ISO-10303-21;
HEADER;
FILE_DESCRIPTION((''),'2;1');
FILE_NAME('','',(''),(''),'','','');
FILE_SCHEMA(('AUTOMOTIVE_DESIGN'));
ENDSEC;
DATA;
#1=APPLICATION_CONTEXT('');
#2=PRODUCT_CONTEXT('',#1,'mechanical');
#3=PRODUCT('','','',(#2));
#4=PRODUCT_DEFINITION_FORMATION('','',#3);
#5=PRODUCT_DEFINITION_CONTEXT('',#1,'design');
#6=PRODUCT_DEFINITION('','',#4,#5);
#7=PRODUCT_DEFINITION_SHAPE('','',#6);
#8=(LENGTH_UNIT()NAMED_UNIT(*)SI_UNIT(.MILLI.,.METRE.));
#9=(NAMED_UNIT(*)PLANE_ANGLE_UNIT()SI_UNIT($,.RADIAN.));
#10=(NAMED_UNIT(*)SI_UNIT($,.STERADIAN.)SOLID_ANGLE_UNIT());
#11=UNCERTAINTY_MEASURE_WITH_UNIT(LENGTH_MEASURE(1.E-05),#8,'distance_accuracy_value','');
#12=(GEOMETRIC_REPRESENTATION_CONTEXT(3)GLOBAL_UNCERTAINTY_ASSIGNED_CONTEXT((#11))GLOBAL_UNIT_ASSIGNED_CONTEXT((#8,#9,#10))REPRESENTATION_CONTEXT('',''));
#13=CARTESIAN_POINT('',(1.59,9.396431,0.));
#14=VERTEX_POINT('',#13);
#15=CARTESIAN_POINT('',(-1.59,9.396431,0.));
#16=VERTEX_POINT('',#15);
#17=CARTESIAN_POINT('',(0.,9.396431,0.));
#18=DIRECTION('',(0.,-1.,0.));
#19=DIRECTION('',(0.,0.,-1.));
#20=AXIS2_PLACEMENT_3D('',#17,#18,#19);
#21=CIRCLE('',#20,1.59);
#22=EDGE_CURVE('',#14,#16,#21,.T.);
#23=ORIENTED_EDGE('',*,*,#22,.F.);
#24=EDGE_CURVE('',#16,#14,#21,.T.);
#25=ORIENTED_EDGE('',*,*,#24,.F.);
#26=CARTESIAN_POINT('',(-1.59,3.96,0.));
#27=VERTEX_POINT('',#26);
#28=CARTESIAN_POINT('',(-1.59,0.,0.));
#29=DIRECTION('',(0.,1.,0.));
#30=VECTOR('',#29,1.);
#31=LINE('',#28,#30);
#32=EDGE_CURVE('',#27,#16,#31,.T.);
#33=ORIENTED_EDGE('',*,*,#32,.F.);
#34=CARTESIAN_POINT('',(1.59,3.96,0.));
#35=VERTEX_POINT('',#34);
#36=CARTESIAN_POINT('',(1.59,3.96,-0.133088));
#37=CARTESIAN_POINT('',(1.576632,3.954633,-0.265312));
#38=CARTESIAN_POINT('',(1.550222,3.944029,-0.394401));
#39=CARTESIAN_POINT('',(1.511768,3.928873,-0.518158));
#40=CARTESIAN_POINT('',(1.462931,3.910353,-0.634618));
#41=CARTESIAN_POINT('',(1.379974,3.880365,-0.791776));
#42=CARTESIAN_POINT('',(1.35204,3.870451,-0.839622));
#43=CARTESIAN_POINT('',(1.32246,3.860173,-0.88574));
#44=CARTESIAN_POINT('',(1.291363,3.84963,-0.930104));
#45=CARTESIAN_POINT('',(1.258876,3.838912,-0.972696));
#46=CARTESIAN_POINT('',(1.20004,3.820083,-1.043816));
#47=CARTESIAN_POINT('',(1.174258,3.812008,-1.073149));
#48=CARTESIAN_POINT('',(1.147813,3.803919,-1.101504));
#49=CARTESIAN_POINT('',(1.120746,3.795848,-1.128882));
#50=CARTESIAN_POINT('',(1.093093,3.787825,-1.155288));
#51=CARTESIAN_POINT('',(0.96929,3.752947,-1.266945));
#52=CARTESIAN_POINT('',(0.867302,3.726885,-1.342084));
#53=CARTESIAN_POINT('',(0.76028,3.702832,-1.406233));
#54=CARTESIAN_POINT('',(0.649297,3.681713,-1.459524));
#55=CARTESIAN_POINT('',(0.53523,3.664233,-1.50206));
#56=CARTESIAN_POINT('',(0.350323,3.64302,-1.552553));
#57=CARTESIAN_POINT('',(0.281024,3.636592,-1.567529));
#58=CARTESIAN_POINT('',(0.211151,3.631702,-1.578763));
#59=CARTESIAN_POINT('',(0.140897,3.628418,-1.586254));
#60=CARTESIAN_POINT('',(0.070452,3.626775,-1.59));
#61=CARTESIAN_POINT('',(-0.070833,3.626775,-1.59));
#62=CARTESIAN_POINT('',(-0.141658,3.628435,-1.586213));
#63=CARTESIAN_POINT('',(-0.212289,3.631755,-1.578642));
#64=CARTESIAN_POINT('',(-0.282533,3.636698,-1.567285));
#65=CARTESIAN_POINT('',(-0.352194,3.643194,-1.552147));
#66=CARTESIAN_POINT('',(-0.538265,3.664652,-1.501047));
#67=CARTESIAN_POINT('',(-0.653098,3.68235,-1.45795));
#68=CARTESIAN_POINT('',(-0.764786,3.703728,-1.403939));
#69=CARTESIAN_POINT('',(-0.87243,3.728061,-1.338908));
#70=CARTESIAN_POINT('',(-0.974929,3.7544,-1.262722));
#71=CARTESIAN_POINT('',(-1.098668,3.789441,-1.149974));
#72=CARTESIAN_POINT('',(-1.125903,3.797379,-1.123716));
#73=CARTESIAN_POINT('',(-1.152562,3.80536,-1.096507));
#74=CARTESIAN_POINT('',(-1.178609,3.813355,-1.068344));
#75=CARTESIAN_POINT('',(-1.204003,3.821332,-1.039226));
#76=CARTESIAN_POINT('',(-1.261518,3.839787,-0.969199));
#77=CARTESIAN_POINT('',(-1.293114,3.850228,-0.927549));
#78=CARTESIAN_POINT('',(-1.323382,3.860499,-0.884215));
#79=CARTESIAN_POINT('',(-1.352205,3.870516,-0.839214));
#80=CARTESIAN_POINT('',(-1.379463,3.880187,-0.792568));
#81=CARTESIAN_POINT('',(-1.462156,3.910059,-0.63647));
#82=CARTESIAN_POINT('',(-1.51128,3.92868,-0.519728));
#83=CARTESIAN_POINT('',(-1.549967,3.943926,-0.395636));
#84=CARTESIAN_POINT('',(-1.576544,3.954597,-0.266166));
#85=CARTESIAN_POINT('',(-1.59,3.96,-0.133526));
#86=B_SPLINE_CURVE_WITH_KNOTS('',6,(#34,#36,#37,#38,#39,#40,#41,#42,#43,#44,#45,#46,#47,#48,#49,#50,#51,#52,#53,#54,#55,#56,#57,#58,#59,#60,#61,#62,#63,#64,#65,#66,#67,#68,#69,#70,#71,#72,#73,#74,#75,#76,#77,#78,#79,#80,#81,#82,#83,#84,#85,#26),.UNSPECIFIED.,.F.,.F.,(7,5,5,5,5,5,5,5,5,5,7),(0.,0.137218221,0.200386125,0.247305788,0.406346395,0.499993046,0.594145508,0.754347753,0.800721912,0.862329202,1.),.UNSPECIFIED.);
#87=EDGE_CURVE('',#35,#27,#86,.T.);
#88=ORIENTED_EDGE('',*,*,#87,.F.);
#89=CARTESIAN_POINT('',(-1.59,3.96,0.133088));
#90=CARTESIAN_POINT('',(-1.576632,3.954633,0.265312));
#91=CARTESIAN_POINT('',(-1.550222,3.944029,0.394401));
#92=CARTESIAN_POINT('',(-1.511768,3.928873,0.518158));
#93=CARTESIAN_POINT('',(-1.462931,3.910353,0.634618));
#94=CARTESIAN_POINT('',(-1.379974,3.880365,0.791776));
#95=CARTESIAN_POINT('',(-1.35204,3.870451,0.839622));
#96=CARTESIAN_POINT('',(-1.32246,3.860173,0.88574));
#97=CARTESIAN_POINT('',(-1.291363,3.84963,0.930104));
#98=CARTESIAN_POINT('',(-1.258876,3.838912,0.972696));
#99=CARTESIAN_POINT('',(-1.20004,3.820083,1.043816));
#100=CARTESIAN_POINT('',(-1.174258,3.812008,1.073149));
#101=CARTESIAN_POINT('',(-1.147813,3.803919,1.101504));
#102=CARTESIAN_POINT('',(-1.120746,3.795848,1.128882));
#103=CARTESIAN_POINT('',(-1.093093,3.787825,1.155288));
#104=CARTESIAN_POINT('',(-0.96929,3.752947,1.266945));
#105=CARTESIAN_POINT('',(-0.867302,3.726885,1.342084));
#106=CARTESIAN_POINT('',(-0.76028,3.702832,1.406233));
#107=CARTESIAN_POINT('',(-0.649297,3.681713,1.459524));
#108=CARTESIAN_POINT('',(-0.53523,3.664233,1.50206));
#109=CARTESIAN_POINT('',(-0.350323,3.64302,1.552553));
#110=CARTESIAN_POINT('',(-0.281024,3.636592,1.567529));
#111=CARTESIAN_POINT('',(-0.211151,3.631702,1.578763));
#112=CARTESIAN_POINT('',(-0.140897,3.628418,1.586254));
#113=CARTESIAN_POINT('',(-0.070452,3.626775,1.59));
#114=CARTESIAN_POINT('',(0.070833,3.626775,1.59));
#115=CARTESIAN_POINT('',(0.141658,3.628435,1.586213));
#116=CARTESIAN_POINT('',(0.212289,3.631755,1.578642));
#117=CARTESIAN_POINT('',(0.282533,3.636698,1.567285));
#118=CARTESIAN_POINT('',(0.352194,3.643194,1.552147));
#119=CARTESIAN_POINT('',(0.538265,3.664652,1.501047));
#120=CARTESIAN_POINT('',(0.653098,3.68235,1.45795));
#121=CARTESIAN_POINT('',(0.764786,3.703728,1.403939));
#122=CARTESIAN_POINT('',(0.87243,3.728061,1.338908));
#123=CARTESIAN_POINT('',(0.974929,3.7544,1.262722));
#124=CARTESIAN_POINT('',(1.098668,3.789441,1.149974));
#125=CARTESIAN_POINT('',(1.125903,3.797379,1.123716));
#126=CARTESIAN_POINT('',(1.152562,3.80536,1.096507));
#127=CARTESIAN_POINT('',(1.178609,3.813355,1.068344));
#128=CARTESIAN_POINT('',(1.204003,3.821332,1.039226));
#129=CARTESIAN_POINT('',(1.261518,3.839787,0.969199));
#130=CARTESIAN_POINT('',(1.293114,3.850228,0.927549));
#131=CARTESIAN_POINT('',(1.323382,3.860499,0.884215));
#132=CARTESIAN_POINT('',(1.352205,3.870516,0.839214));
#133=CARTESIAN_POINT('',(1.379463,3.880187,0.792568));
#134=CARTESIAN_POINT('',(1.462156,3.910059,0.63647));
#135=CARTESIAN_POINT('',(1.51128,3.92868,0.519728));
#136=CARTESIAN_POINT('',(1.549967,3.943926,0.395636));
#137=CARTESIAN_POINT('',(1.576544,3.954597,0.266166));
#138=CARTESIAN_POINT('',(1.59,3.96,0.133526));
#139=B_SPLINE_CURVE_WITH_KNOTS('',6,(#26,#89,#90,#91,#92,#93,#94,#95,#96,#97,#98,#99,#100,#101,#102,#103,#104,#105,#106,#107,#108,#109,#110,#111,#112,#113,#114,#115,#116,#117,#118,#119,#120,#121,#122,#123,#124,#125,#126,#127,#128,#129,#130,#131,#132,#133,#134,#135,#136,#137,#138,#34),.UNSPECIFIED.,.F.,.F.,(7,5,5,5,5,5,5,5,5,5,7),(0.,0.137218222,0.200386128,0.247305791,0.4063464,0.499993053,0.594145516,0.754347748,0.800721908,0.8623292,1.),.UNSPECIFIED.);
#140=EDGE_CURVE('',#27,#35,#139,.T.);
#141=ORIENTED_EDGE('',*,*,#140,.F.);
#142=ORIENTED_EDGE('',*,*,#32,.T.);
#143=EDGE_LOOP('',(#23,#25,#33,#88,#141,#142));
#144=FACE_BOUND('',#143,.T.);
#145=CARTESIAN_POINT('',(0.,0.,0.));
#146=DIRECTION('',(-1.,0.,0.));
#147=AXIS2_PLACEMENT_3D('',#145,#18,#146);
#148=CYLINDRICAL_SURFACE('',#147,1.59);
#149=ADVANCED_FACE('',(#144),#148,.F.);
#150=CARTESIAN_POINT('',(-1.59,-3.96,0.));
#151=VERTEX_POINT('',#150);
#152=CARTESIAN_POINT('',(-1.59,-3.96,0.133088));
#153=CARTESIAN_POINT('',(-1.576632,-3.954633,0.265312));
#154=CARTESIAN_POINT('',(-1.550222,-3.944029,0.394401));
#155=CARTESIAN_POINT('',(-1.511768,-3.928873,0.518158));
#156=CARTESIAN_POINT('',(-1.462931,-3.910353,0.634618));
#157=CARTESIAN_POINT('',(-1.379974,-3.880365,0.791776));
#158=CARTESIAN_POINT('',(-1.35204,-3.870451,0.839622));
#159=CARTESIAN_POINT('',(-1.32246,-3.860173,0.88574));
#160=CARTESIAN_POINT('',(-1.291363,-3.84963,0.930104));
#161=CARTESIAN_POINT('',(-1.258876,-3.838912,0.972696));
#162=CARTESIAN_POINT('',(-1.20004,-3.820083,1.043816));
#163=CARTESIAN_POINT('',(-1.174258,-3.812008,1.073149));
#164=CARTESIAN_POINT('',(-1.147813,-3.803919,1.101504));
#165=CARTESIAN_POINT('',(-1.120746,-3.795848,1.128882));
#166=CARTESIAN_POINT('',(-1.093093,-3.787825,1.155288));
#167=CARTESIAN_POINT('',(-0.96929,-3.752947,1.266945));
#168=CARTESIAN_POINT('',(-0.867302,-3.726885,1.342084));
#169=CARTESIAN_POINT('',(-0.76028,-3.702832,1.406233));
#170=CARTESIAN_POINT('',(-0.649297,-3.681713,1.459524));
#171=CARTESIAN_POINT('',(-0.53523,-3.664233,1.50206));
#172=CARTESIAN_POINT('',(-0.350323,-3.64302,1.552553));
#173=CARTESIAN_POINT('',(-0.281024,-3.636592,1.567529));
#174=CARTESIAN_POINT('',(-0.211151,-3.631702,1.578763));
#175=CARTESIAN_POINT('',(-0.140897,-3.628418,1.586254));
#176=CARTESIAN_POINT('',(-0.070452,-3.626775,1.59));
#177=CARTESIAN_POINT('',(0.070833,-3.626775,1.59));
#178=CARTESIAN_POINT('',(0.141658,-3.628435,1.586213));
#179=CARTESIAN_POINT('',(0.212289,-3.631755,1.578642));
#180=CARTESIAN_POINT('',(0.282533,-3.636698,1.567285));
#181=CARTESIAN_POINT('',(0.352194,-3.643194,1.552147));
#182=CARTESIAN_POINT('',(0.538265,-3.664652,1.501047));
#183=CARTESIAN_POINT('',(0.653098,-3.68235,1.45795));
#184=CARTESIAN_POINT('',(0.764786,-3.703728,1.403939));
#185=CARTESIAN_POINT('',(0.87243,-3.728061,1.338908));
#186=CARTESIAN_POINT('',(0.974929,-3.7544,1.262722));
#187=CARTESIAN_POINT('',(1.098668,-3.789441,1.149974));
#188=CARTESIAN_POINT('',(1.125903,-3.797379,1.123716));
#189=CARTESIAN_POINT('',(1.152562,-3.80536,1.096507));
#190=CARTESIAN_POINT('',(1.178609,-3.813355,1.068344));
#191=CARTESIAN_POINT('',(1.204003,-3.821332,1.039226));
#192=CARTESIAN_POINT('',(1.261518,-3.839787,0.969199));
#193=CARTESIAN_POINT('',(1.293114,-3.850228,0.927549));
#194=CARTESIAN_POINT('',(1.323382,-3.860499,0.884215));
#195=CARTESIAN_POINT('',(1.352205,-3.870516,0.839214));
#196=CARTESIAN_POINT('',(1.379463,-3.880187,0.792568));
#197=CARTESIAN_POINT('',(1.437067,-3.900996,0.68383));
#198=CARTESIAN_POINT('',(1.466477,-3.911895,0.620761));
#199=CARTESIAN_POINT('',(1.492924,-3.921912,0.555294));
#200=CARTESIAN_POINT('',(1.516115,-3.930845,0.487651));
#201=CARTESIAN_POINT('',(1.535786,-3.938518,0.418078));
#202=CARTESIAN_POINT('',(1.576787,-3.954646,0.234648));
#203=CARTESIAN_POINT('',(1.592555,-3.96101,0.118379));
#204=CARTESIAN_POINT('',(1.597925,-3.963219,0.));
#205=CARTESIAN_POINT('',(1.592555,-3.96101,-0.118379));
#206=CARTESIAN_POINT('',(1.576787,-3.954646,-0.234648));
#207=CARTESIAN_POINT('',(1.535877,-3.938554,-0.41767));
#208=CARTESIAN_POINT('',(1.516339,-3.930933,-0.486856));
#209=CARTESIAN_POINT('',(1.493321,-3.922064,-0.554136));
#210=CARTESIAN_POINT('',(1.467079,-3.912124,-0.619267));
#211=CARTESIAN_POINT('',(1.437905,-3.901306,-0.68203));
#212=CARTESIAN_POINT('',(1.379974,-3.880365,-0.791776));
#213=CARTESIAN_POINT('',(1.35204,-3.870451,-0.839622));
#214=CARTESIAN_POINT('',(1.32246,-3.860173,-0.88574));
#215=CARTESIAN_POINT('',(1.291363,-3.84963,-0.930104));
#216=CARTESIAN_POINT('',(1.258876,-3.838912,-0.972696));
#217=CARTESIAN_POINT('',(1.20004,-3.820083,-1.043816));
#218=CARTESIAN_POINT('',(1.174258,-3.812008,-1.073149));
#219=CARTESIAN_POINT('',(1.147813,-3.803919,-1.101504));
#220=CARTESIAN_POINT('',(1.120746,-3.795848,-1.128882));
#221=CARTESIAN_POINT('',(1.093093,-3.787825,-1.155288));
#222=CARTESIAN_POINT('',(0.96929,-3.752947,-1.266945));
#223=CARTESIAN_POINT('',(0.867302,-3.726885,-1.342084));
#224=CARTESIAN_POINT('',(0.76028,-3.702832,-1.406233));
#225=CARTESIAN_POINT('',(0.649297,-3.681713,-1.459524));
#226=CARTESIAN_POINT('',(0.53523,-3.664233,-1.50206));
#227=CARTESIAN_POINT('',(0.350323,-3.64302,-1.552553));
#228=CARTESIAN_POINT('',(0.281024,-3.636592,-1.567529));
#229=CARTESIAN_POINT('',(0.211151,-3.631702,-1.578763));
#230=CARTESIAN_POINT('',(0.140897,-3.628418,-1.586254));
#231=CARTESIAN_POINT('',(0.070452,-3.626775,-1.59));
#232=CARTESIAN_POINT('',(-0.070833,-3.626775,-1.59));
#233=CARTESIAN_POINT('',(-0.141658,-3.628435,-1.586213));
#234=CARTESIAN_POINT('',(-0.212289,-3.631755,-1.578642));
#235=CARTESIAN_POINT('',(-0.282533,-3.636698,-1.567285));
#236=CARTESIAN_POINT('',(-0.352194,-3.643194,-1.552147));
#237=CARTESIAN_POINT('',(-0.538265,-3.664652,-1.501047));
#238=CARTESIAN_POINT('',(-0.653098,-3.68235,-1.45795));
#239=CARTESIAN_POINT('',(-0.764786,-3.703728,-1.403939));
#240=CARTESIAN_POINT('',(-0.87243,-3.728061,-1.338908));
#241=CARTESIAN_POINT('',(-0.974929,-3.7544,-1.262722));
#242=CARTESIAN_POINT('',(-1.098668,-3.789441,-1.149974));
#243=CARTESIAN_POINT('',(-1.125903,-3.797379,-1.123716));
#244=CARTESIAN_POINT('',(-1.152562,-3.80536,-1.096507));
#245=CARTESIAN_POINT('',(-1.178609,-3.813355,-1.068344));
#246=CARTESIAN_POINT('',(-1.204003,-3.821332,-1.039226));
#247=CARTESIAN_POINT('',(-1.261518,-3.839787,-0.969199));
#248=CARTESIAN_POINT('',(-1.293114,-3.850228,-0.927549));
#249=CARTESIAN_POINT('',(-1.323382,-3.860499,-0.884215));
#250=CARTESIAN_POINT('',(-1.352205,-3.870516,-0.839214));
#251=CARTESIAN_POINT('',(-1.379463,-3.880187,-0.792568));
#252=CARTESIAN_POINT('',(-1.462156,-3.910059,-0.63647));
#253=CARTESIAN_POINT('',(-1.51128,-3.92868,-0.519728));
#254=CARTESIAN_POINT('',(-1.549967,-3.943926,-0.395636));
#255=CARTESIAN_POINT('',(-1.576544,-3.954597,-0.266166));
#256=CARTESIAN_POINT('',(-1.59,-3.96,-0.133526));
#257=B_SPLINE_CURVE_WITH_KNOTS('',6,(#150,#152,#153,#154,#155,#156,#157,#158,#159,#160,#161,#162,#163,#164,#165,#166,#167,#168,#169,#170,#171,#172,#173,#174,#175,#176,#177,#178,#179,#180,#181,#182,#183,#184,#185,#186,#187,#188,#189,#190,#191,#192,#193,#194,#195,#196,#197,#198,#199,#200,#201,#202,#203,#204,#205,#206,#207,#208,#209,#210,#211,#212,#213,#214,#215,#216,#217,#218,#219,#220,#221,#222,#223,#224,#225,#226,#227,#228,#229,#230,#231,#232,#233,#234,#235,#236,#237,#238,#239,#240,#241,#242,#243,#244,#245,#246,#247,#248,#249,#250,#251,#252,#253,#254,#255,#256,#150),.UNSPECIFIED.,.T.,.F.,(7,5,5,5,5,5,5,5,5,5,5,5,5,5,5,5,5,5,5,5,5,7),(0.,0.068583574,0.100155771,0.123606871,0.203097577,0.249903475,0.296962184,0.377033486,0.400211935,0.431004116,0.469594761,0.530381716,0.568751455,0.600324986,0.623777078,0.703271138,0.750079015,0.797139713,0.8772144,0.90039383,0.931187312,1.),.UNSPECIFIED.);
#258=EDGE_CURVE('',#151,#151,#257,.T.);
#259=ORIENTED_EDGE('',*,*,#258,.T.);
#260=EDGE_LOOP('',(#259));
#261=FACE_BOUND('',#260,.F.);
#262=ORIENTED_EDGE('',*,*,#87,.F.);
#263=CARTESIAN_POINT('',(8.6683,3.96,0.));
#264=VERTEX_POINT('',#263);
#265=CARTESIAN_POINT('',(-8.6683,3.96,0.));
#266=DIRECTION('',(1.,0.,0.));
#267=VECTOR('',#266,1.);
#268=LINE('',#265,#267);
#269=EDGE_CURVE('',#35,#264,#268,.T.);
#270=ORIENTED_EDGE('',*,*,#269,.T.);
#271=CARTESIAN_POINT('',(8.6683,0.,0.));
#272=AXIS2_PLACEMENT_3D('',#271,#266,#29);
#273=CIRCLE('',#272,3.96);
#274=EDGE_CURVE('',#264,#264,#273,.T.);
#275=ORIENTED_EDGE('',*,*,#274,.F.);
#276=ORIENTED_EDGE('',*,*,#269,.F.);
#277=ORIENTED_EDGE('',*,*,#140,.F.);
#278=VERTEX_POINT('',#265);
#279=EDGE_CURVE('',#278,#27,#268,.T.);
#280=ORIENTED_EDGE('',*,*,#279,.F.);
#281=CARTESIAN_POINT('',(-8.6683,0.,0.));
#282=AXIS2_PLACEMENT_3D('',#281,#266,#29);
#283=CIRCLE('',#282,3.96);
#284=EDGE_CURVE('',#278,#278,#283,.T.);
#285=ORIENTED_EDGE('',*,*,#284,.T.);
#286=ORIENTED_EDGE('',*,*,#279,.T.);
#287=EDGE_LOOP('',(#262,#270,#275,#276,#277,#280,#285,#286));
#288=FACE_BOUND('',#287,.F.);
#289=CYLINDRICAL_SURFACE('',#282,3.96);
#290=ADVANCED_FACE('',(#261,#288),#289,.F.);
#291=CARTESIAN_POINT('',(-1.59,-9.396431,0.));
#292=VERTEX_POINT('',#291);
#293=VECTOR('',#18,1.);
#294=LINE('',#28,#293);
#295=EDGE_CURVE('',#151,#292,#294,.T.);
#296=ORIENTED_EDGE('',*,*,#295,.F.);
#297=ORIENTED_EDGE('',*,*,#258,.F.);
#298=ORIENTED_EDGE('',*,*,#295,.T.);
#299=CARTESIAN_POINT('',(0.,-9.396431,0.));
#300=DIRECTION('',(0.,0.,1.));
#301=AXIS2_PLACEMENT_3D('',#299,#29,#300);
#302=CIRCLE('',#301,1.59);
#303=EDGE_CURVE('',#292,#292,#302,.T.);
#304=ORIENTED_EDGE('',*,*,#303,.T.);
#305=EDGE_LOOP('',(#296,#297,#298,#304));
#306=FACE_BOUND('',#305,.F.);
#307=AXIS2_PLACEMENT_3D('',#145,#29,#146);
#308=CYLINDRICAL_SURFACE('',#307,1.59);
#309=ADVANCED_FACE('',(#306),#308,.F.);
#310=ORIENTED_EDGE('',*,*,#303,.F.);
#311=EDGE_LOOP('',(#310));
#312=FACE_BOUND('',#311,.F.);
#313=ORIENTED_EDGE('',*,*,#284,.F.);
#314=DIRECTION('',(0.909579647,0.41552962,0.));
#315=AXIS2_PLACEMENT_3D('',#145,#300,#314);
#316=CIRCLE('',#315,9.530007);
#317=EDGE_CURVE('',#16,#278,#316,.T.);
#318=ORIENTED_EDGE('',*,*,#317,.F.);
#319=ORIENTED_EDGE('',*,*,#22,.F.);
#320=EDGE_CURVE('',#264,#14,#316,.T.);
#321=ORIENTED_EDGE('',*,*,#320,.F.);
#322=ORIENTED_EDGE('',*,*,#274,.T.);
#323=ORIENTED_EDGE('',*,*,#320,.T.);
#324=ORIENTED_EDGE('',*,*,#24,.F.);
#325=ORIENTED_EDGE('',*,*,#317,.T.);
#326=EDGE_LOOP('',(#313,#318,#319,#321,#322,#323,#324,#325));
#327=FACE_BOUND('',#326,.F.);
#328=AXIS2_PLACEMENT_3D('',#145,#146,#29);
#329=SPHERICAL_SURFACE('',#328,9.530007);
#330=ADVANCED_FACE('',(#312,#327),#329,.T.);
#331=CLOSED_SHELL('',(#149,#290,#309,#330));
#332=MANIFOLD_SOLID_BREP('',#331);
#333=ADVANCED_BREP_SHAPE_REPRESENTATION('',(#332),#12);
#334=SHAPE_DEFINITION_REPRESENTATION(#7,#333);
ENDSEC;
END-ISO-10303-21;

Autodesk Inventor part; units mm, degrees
ref_plane "YZ Plane" through (0, 0, 0) normal (1, 0, 0) x (0, 1, 0)
ref_plane "XZ Plane" through (0, 0, 0) normal (0, 1, 0) x (-1, 0, 0)
ref_plane "XY Plane" through (0, 0, 0) normal (0, 0, 1) x (1, 0, 0)
sketch "Sketch1" plane through (0, 0, 0) normal (0, 0, 1) x (1, 0, 0)
  arc A0 (8.6683, 3.96) -> (-8.6683, 3.96) centre (0, 0) ccw
  line L0 (-8.6683, 3.96) -> (8.6683, 3.96)
  line L1 (-16.3329, 0) -> (13.8423, 0)
  dimension "d0" = 19.06
revolve "Revolution1" add sketch "Sketch1" angle 360 about axis through (-16.3329, 0, 0) along (1, 0, 0)
sketch "Sketch3" plane through (0, 0, 0) normal (0, 1, 0) x (-1, 0, 0)
  circle A0 centre (0, 0) radius 1.59
  dimension "d8" = 3.18
extrude "Extrusion2" cut sketch "Sketch3" along normal mid plane 27.5
properties part number "parca7"
